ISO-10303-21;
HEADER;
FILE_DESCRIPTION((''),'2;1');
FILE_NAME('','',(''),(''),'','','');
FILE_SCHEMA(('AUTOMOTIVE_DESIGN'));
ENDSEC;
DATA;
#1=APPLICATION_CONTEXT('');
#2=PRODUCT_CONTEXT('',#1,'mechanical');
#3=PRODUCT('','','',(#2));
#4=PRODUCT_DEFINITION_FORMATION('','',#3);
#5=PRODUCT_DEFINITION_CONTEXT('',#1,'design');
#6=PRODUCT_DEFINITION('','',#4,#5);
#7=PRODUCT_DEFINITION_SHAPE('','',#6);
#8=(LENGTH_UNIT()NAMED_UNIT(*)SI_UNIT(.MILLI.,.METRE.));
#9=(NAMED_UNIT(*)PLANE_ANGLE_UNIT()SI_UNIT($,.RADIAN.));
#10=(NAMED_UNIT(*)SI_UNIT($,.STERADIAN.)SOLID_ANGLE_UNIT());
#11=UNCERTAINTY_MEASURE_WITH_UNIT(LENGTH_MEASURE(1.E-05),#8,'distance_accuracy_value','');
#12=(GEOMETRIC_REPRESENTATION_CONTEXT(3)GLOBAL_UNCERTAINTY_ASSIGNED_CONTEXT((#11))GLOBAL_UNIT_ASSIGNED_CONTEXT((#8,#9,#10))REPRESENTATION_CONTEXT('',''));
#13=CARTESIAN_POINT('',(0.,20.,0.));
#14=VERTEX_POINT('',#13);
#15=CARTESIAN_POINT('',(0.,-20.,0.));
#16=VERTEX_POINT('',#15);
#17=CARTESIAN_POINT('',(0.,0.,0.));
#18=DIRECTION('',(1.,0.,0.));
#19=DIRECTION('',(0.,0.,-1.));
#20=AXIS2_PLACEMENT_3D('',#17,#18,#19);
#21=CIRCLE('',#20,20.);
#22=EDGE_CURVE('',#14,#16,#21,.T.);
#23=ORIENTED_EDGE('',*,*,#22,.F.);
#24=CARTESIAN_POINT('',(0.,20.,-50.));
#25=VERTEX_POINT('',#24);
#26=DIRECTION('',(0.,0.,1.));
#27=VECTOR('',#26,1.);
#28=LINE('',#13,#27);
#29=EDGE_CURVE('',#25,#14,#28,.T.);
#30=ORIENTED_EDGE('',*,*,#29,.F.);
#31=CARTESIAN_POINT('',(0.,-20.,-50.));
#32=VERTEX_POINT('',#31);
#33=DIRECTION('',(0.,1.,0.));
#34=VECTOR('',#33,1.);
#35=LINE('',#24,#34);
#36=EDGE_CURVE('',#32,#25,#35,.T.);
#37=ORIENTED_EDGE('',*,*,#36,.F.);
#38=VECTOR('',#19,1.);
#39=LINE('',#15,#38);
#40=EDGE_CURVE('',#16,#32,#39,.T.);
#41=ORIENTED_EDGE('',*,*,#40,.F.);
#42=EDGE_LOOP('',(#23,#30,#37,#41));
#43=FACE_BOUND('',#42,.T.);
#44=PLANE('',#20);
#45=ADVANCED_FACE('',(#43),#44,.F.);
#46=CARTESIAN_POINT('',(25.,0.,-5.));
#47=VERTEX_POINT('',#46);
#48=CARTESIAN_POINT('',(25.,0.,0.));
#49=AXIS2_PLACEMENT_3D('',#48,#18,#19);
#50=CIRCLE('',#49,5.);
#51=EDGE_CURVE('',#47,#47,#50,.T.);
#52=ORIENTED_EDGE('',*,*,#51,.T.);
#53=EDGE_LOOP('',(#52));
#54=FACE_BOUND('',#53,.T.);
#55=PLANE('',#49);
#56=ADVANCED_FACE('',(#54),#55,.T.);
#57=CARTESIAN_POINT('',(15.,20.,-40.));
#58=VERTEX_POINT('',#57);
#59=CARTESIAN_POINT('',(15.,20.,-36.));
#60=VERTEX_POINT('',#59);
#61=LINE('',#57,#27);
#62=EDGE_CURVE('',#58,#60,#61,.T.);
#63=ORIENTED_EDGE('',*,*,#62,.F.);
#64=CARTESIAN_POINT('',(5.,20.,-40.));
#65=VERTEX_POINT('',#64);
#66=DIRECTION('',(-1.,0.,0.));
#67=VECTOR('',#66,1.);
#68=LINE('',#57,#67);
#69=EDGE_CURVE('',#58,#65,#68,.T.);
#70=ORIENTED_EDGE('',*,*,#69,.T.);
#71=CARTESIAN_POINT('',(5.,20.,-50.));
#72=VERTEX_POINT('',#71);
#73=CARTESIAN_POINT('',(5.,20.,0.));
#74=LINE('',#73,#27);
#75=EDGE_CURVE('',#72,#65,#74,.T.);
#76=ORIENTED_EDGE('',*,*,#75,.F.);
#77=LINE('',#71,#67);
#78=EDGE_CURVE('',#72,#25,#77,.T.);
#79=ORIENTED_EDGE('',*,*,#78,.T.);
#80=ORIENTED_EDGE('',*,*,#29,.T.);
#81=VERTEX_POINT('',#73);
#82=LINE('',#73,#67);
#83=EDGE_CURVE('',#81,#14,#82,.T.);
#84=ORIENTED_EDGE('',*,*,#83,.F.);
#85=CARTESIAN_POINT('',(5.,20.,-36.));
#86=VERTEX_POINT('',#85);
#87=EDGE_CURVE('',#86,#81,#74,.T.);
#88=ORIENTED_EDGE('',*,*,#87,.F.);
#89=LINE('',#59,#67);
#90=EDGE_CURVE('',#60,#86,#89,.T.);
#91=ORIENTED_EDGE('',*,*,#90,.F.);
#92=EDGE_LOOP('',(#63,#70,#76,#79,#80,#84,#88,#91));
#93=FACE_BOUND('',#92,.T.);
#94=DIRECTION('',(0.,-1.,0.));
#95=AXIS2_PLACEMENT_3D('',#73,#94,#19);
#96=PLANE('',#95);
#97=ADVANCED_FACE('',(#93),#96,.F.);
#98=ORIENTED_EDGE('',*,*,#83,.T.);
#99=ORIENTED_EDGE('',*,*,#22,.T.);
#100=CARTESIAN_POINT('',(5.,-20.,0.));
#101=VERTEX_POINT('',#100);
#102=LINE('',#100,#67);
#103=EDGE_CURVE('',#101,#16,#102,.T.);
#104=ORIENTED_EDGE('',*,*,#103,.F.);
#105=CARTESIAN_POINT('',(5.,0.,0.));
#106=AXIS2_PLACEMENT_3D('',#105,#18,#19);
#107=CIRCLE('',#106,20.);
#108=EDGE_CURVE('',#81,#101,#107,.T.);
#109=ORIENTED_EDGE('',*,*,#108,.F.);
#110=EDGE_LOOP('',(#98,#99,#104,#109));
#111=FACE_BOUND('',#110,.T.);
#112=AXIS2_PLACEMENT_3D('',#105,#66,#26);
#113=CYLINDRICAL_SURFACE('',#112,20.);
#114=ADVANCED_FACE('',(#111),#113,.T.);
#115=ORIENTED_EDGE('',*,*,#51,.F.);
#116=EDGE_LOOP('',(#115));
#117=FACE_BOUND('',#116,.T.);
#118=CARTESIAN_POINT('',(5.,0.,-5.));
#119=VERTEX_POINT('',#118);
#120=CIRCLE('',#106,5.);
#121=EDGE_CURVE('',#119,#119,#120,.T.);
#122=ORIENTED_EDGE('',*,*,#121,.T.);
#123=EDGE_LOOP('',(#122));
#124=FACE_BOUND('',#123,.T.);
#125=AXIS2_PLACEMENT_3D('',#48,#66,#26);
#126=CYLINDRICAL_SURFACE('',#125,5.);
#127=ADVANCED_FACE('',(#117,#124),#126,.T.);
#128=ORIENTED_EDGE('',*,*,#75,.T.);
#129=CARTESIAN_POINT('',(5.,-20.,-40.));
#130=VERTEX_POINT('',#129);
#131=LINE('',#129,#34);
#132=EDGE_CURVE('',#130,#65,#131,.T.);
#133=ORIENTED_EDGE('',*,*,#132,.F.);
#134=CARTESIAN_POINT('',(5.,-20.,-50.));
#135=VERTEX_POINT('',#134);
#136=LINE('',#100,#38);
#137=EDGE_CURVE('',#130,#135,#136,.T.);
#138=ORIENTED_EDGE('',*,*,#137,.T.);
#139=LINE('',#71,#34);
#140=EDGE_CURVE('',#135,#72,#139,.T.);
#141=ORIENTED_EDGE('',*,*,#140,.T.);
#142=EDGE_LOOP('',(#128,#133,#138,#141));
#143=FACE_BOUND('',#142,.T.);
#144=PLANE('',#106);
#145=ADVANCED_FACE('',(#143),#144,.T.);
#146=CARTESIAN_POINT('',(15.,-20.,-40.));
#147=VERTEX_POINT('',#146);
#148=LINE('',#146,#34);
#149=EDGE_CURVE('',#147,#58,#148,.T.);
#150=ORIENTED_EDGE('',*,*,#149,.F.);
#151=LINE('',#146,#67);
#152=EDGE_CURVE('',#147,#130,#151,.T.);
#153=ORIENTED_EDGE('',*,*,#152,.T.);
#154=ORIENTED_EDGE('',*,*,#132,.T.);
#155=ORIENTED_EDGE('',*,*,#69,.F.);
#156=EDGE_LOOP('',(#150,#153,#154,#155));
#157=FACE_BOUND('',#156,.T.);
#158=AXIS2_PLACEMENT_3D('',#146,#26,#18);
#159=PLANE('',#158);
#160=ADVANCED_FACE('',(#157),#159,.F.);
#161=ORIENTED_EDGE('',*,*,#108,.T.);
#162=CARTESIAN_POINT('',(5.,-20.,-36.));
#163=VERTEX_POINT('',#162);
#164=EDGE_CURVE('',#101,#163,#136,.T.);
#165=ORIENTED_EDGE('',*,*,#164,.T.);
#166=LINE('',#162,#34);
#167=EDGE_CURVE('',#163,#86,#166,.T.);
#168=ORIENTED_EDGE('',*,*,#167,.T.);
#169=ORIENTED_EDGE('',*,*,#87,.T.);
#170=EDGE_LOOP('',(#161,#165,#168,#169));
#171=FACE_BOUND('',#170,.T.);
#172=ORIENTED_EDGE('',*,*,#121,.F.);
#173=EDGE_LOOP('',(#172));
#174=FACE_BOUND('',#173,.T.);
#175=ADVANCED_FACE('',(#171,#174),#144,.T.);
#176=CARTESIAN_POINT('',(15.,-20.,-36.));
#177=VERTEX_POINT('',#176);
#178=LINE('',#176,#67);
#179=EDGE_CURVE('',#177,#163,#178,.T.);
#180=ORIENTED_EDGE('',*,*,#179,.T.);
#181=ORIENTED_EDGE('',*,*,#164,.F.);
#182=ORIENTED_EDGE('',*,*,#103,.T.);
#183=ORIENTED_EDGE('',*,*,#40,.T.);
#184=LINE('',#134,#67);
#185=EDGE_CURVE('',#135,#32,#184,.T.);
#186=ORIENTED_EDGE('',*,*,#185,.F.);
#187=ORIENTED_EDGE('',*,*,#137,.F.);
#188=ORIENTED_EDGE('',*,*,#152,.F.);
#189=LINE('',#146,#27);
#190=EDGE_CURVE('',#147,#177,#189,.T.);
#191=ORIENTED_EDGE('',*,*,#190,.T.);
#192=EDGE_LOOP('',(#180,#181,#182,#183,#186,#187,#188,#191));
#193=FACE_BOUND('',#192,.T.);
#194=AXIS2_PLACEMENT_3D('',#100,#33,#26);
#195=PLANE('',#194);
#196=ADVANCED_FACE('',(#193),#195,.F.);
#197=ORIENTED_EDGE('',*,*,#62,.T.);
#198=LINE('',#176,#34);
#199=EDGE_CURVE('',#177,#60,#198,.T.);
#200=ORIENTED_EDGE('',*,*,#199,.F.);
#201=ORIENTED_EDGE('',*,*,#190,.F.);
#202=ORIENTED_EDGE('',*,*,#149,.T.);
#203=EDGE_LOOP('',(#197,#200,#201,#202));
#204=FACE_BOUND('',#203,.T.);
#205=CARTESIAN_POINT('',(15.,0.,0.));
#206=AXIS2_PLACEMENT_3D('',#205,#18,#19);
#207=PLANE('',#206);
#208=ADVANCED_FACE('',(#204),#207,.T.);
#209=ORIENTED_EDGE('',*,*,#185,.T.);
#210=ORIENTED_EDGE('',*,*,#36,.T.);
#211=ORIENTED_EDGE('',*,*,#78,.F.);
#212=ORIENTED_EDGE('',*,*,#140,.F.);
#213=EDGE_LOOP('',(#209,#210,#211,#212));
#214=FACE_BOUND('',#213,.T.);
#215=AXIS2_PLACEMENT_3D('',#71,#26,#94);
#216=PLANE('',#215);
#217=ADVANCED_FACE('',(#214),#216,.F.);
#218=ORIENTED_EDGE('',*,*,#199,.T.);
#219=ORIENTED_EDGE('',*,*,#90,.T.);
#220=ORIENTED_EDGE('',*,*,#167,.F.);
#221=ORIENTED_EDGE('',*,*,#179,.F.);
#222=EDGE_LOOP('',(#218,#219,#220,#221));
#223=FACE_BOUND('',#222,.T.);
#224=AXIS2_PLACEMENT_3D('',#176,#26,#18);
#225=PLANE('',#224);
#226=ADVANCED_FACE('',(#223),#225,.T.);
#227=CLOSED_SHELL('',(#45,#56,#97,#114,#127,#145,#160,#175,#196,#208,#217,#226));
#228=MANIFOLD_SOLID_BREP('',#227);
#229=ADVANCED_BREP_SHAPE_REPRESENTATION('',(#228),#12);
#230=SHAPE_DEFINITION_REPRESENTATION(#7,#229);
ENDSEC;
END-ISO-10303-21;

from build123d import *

# Parameters (mm, degrees)
BOSS_EXTRUDE1_DEPTH = 5
SKETCH2_W           = 40
SKETCH2_H           = 4
BOSS_EXTRUDE2_DEPTH = 10
SKETCH3_R           = 5
BOSS_EXTRUDE3_DEPTH = 20


with BuildPart() as part:
    # Sketch1 → Boss-Extrude1 (new body)
    with BuildSketch(Plane.YZ):
        with BuildLine():
            Line((20, 0), (20, -50))
            Line((20, -50), (-20, -50))
            Line((-20, -50), (-20, 0))
            ThreePointArc((-20, 0), (0, 20), (20, 0))
        make_face()
    extrude(amount=BOSS_EXTRUDE1_DEPTH)

    # Sketch2 → Boss-Extrude2 (add)
    with BuildSketch(Plane.YZ.offset(5)):
        with Locations((0, -38)):
            Rectangle(SKETCH2_W, SKETCH2_H)
    extrude(amount=BOSS_EXTRUDE2_DEPTH)

    # Sketch3 → Boss-Extrude3 (add)
    with BuildSketch(Plane.YZ.offset(5)):
        with Locations(Location((0, 0, 0), (0, 0, 270))):
            Circle(SKETCH3_R)
    extrude(amount=BOSS_EXTRUDE3_DEPTH)


solid = part.part
